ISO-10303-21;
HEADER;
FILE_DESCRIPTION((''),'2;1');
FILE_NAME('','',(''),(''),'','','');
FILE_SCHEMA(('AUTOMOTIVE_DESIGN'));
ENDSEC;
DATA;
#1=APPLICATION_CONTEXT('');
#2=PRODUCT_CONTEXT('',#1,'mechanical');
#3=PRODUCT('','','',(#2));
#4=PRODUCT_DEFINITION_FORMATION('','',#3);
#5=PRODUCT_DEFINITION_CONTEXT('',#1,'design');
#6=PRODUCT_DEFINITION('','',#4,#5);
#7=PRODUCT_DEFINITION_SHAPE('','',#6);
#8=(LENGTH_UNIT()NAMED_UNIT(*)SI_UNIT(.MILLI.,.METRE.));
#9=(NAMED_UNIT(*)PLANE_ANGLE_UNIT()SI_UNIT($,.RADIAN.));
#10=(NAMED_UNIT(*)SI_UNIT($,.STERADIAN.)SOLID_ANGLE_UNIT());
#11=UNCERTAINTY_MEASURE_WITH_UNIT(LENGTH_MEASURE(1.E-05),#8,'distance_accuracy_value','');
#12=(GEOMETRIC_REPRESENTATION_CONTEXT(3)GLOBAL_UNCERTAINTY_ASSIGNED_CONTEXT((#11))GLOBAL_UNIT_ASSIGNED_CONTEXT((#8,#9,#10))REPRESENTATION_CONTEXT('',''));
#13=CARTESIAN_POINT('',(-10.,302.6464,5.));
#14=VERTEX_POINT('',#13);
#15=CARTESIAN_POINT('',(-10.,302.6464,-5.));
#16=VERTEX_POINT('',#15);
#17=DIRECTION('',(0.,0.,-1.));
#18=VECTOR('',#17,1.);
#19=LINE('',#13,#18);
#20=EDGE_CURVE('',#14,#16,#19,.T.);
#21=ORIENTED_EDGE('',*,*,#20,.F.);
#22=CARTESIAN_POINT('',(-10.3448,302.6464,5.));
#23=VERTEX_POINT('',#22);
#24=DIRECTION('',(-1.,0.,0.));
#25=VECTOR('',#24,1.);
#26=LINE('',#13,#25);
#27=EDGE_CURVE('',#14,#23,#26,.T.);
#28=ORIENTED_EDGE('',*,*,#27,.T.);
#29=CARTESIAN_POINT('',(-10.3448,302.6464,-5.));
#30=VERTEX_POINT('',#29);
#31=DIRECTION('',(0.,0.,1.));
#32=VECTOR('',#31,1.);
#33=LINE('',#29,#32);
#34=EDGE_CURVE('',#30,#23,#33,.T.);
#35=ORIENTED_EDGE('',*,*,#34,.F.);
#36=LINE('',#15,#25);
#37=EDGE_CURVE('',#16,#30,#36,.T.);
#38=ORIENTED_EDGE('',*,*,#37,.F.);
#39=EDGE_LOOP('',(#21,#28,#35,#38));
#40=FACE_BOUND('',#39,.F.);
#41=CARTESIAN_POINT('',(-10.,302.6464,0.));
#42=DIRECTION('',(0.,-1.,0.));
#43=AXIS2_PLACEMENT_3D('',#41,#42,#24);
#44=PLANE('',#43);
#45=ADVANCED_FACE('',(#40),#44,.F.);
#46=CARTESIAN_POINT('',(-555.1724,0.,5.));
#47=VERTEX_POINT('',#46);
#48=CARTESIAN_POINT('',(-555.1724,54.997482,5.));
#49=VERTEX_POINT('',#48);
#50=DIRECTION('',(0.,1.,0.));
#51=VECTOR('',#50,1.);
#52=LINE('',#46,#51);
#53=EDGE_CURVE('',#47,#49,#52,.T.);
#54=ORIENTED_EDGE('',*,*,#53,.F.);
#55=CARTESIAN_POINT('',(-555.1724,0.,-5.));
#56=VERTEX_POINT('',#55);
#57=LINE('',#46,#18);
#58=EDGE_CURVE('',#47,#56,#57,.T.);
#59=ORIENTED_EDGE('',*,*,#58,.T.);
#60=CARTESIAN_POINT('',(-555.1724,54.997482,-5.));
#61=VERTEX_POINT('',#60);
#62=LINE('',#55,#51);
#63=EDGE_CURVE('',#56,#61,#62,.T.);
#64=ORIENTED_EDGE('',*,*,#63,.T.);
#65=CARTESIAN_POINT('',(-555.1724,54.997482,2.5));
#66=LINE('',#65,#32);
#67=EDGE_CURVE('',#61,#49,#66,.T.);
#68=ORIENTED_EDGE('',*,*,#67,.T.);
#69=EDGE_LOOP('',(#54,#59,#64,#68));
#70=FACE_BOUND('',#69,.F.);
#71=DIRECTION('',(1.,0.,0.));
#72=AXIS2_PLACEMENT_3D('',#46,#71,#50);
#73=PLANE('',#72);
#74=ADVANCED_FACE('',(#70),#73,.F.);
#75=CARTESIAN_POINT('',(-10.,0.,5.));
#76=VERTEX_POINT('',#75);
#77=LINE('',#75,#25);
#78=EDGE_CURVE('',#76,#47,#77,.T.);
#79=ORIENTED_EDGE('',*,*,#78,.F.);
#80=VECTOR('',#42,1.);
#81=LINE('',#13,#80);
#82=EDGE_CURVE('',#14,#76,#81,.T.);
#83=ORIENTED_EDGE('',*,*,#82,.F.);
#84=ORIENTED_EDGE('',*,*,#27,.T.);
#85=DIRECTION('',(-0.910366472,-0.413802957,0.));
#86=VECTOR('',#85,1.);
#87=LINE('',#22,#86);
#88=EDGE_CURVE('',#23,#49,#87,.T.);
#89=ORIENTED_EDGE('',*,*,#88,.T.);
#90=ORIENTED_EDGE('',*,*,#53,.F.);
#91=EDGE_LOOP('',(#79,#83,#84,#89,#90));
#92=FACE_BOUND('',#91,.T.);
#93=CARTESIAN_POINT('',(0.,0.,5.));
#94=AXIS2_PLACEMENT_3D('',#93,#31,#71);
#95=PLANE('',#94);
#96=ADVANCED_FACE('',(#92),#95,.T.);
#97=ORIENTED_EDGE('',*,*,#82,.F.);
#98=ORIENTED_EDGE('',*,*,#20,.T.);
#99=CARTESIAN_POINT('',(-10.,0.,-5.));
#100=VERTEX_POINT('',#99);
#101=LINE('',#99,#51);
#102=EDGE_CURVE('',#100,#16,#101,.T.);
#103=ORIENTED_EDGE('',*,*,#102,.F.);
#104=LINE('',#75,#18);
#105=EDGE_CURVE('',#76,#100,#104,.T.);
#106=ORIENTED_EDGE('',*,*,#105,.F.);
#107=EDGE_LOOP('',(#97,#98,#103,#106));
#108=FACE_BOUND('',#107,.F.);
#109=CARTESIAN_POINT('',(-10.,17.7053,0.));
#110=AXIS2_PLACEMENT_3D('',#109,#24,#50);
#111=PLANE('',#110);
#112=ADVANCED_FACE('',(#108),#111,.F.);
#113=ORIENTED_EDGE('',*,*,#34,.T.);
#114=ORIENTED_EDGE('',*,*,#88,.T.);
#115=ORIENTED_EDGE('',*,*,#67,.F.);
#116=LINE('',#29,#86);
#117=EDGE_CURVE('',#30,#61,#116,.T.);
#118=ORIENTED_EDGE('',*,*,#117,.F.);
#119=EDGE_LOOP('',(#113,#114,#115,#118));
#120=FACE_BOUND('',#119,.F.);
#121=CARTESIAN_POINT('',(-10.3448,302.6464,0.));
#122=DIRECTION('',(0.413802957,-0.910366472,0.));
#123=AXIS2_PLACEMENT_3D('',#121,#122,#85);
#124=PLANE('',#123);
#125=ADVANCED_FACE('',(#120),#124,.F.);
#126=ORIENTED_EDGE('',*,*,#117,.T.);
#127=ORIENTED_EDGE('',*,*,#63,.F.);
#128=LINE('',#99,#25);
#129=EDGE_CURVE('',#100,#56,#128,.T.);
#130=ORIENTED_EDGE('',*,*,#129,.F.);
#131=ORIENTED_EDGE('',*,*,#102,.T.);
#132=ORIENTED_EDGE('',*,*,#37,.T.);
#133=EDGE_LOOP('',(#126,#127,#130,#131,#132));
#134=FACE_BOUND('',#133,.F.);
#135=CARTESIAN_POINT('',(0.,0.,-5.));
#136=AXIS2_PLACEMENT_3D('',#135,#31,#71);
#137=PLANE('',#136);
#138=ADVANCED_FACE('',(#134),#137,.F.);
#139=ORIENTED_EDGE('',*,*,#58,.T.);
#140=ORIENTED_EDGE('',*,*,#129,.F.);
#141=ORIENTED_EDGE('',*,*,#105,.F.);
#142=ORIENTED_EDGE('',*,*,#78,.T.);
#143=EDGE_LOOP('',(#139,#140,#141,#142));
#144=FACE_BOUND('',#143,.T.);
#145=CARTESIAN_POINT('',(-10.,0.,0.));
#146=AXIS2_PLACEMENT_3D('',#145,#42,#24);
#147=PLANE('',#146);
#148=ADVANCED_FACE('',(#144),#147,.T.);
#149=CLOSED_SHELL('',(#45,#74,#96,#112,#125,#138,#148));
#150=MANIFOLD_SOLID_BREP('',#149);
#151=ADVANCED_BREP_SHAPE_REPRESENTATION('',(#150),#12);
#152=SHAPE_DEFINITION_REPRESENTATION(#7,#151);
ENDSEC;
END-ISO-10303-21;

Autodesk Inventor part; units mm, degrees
ref_plane "YZ Plane" through (0, 0, 0) normal (1, 0, 0) x (0, 1, 0)
ref_plane "XZ Plane" through (0, 0, 0) normal (0, 1, 0) x (-1, 0, 0)
ref_plane "Work Plane1" through (0, 0, 0) normal (0, 0, 1) x (1, 0, 0)
sketch "Sketch1" plane through (0, 0, 0) normal (0, 0, 1) x (1, 0, 0)
  line L0 (-560, 55) -> (-11.1724, 304.4671) construction
  line L1 (-10.3448, 302.6464) -> (-559.1724, 53.1793)
  line L2 (-559.1724, 53.1793) -> (-560, 55)
  line L3 (-10, 600) -> (0, 600) construction
  line L4 (0, 600) -> (0, 0) construction
  line L5 (0, 0) -> (-10, 0) construction
  line L6 (-10, 0) -> (-10, 600) construction
  line L7 (-10, 17.7053) -> (-559.1724, 17.7053)
  line L8 (-559.1724, 53.1793) -> (-559.1724, 17.7053)
  line L9 (-559.1724, 17.7053) -> (-10, 17.7053)
  line L10 (-10, 17.7053) -> (-10, 0)
  line L11 (-10, 0) -> (-559.1724, 0)
  line L12 (-559.1724, 0) -> (-559.1724, 17.7053)
  line L13 (-10, 302.6464) -> (-10.3448, 302.6464)
  line L14 (-10, 17.7053) -> (-10, 302.6464)
  point P0 (-10, 202.6464)
extrude "Extrusion5" add sketch "Sketch1" along normal mid plane 10
sketch "Sketch2" plane through (0, 0, 5) normal (0, 0, 1) x (1, 0, 0)
  line L0 (-559.1724, 53.1793) -> (-559.1724, 0) projected
  line L1 (-559.1724, 0) -> (-555.1724, 0)
  line L2 (-555.1724, 0) -> (-555.1724, 80)
  line L3 (-555.1724, 80) -> (-559.1724, 80)
  line L4 (-559.1724, 80) -> (-559.1724, 0)
  point P0 (0, 0)
  dimension "d10" = 4
  dimension "d11" = 80
extrude "Extrusion6" cut sketch "Sketch2" against normal through all
properties part number "verticalff1" material "Wood (Birch)"
